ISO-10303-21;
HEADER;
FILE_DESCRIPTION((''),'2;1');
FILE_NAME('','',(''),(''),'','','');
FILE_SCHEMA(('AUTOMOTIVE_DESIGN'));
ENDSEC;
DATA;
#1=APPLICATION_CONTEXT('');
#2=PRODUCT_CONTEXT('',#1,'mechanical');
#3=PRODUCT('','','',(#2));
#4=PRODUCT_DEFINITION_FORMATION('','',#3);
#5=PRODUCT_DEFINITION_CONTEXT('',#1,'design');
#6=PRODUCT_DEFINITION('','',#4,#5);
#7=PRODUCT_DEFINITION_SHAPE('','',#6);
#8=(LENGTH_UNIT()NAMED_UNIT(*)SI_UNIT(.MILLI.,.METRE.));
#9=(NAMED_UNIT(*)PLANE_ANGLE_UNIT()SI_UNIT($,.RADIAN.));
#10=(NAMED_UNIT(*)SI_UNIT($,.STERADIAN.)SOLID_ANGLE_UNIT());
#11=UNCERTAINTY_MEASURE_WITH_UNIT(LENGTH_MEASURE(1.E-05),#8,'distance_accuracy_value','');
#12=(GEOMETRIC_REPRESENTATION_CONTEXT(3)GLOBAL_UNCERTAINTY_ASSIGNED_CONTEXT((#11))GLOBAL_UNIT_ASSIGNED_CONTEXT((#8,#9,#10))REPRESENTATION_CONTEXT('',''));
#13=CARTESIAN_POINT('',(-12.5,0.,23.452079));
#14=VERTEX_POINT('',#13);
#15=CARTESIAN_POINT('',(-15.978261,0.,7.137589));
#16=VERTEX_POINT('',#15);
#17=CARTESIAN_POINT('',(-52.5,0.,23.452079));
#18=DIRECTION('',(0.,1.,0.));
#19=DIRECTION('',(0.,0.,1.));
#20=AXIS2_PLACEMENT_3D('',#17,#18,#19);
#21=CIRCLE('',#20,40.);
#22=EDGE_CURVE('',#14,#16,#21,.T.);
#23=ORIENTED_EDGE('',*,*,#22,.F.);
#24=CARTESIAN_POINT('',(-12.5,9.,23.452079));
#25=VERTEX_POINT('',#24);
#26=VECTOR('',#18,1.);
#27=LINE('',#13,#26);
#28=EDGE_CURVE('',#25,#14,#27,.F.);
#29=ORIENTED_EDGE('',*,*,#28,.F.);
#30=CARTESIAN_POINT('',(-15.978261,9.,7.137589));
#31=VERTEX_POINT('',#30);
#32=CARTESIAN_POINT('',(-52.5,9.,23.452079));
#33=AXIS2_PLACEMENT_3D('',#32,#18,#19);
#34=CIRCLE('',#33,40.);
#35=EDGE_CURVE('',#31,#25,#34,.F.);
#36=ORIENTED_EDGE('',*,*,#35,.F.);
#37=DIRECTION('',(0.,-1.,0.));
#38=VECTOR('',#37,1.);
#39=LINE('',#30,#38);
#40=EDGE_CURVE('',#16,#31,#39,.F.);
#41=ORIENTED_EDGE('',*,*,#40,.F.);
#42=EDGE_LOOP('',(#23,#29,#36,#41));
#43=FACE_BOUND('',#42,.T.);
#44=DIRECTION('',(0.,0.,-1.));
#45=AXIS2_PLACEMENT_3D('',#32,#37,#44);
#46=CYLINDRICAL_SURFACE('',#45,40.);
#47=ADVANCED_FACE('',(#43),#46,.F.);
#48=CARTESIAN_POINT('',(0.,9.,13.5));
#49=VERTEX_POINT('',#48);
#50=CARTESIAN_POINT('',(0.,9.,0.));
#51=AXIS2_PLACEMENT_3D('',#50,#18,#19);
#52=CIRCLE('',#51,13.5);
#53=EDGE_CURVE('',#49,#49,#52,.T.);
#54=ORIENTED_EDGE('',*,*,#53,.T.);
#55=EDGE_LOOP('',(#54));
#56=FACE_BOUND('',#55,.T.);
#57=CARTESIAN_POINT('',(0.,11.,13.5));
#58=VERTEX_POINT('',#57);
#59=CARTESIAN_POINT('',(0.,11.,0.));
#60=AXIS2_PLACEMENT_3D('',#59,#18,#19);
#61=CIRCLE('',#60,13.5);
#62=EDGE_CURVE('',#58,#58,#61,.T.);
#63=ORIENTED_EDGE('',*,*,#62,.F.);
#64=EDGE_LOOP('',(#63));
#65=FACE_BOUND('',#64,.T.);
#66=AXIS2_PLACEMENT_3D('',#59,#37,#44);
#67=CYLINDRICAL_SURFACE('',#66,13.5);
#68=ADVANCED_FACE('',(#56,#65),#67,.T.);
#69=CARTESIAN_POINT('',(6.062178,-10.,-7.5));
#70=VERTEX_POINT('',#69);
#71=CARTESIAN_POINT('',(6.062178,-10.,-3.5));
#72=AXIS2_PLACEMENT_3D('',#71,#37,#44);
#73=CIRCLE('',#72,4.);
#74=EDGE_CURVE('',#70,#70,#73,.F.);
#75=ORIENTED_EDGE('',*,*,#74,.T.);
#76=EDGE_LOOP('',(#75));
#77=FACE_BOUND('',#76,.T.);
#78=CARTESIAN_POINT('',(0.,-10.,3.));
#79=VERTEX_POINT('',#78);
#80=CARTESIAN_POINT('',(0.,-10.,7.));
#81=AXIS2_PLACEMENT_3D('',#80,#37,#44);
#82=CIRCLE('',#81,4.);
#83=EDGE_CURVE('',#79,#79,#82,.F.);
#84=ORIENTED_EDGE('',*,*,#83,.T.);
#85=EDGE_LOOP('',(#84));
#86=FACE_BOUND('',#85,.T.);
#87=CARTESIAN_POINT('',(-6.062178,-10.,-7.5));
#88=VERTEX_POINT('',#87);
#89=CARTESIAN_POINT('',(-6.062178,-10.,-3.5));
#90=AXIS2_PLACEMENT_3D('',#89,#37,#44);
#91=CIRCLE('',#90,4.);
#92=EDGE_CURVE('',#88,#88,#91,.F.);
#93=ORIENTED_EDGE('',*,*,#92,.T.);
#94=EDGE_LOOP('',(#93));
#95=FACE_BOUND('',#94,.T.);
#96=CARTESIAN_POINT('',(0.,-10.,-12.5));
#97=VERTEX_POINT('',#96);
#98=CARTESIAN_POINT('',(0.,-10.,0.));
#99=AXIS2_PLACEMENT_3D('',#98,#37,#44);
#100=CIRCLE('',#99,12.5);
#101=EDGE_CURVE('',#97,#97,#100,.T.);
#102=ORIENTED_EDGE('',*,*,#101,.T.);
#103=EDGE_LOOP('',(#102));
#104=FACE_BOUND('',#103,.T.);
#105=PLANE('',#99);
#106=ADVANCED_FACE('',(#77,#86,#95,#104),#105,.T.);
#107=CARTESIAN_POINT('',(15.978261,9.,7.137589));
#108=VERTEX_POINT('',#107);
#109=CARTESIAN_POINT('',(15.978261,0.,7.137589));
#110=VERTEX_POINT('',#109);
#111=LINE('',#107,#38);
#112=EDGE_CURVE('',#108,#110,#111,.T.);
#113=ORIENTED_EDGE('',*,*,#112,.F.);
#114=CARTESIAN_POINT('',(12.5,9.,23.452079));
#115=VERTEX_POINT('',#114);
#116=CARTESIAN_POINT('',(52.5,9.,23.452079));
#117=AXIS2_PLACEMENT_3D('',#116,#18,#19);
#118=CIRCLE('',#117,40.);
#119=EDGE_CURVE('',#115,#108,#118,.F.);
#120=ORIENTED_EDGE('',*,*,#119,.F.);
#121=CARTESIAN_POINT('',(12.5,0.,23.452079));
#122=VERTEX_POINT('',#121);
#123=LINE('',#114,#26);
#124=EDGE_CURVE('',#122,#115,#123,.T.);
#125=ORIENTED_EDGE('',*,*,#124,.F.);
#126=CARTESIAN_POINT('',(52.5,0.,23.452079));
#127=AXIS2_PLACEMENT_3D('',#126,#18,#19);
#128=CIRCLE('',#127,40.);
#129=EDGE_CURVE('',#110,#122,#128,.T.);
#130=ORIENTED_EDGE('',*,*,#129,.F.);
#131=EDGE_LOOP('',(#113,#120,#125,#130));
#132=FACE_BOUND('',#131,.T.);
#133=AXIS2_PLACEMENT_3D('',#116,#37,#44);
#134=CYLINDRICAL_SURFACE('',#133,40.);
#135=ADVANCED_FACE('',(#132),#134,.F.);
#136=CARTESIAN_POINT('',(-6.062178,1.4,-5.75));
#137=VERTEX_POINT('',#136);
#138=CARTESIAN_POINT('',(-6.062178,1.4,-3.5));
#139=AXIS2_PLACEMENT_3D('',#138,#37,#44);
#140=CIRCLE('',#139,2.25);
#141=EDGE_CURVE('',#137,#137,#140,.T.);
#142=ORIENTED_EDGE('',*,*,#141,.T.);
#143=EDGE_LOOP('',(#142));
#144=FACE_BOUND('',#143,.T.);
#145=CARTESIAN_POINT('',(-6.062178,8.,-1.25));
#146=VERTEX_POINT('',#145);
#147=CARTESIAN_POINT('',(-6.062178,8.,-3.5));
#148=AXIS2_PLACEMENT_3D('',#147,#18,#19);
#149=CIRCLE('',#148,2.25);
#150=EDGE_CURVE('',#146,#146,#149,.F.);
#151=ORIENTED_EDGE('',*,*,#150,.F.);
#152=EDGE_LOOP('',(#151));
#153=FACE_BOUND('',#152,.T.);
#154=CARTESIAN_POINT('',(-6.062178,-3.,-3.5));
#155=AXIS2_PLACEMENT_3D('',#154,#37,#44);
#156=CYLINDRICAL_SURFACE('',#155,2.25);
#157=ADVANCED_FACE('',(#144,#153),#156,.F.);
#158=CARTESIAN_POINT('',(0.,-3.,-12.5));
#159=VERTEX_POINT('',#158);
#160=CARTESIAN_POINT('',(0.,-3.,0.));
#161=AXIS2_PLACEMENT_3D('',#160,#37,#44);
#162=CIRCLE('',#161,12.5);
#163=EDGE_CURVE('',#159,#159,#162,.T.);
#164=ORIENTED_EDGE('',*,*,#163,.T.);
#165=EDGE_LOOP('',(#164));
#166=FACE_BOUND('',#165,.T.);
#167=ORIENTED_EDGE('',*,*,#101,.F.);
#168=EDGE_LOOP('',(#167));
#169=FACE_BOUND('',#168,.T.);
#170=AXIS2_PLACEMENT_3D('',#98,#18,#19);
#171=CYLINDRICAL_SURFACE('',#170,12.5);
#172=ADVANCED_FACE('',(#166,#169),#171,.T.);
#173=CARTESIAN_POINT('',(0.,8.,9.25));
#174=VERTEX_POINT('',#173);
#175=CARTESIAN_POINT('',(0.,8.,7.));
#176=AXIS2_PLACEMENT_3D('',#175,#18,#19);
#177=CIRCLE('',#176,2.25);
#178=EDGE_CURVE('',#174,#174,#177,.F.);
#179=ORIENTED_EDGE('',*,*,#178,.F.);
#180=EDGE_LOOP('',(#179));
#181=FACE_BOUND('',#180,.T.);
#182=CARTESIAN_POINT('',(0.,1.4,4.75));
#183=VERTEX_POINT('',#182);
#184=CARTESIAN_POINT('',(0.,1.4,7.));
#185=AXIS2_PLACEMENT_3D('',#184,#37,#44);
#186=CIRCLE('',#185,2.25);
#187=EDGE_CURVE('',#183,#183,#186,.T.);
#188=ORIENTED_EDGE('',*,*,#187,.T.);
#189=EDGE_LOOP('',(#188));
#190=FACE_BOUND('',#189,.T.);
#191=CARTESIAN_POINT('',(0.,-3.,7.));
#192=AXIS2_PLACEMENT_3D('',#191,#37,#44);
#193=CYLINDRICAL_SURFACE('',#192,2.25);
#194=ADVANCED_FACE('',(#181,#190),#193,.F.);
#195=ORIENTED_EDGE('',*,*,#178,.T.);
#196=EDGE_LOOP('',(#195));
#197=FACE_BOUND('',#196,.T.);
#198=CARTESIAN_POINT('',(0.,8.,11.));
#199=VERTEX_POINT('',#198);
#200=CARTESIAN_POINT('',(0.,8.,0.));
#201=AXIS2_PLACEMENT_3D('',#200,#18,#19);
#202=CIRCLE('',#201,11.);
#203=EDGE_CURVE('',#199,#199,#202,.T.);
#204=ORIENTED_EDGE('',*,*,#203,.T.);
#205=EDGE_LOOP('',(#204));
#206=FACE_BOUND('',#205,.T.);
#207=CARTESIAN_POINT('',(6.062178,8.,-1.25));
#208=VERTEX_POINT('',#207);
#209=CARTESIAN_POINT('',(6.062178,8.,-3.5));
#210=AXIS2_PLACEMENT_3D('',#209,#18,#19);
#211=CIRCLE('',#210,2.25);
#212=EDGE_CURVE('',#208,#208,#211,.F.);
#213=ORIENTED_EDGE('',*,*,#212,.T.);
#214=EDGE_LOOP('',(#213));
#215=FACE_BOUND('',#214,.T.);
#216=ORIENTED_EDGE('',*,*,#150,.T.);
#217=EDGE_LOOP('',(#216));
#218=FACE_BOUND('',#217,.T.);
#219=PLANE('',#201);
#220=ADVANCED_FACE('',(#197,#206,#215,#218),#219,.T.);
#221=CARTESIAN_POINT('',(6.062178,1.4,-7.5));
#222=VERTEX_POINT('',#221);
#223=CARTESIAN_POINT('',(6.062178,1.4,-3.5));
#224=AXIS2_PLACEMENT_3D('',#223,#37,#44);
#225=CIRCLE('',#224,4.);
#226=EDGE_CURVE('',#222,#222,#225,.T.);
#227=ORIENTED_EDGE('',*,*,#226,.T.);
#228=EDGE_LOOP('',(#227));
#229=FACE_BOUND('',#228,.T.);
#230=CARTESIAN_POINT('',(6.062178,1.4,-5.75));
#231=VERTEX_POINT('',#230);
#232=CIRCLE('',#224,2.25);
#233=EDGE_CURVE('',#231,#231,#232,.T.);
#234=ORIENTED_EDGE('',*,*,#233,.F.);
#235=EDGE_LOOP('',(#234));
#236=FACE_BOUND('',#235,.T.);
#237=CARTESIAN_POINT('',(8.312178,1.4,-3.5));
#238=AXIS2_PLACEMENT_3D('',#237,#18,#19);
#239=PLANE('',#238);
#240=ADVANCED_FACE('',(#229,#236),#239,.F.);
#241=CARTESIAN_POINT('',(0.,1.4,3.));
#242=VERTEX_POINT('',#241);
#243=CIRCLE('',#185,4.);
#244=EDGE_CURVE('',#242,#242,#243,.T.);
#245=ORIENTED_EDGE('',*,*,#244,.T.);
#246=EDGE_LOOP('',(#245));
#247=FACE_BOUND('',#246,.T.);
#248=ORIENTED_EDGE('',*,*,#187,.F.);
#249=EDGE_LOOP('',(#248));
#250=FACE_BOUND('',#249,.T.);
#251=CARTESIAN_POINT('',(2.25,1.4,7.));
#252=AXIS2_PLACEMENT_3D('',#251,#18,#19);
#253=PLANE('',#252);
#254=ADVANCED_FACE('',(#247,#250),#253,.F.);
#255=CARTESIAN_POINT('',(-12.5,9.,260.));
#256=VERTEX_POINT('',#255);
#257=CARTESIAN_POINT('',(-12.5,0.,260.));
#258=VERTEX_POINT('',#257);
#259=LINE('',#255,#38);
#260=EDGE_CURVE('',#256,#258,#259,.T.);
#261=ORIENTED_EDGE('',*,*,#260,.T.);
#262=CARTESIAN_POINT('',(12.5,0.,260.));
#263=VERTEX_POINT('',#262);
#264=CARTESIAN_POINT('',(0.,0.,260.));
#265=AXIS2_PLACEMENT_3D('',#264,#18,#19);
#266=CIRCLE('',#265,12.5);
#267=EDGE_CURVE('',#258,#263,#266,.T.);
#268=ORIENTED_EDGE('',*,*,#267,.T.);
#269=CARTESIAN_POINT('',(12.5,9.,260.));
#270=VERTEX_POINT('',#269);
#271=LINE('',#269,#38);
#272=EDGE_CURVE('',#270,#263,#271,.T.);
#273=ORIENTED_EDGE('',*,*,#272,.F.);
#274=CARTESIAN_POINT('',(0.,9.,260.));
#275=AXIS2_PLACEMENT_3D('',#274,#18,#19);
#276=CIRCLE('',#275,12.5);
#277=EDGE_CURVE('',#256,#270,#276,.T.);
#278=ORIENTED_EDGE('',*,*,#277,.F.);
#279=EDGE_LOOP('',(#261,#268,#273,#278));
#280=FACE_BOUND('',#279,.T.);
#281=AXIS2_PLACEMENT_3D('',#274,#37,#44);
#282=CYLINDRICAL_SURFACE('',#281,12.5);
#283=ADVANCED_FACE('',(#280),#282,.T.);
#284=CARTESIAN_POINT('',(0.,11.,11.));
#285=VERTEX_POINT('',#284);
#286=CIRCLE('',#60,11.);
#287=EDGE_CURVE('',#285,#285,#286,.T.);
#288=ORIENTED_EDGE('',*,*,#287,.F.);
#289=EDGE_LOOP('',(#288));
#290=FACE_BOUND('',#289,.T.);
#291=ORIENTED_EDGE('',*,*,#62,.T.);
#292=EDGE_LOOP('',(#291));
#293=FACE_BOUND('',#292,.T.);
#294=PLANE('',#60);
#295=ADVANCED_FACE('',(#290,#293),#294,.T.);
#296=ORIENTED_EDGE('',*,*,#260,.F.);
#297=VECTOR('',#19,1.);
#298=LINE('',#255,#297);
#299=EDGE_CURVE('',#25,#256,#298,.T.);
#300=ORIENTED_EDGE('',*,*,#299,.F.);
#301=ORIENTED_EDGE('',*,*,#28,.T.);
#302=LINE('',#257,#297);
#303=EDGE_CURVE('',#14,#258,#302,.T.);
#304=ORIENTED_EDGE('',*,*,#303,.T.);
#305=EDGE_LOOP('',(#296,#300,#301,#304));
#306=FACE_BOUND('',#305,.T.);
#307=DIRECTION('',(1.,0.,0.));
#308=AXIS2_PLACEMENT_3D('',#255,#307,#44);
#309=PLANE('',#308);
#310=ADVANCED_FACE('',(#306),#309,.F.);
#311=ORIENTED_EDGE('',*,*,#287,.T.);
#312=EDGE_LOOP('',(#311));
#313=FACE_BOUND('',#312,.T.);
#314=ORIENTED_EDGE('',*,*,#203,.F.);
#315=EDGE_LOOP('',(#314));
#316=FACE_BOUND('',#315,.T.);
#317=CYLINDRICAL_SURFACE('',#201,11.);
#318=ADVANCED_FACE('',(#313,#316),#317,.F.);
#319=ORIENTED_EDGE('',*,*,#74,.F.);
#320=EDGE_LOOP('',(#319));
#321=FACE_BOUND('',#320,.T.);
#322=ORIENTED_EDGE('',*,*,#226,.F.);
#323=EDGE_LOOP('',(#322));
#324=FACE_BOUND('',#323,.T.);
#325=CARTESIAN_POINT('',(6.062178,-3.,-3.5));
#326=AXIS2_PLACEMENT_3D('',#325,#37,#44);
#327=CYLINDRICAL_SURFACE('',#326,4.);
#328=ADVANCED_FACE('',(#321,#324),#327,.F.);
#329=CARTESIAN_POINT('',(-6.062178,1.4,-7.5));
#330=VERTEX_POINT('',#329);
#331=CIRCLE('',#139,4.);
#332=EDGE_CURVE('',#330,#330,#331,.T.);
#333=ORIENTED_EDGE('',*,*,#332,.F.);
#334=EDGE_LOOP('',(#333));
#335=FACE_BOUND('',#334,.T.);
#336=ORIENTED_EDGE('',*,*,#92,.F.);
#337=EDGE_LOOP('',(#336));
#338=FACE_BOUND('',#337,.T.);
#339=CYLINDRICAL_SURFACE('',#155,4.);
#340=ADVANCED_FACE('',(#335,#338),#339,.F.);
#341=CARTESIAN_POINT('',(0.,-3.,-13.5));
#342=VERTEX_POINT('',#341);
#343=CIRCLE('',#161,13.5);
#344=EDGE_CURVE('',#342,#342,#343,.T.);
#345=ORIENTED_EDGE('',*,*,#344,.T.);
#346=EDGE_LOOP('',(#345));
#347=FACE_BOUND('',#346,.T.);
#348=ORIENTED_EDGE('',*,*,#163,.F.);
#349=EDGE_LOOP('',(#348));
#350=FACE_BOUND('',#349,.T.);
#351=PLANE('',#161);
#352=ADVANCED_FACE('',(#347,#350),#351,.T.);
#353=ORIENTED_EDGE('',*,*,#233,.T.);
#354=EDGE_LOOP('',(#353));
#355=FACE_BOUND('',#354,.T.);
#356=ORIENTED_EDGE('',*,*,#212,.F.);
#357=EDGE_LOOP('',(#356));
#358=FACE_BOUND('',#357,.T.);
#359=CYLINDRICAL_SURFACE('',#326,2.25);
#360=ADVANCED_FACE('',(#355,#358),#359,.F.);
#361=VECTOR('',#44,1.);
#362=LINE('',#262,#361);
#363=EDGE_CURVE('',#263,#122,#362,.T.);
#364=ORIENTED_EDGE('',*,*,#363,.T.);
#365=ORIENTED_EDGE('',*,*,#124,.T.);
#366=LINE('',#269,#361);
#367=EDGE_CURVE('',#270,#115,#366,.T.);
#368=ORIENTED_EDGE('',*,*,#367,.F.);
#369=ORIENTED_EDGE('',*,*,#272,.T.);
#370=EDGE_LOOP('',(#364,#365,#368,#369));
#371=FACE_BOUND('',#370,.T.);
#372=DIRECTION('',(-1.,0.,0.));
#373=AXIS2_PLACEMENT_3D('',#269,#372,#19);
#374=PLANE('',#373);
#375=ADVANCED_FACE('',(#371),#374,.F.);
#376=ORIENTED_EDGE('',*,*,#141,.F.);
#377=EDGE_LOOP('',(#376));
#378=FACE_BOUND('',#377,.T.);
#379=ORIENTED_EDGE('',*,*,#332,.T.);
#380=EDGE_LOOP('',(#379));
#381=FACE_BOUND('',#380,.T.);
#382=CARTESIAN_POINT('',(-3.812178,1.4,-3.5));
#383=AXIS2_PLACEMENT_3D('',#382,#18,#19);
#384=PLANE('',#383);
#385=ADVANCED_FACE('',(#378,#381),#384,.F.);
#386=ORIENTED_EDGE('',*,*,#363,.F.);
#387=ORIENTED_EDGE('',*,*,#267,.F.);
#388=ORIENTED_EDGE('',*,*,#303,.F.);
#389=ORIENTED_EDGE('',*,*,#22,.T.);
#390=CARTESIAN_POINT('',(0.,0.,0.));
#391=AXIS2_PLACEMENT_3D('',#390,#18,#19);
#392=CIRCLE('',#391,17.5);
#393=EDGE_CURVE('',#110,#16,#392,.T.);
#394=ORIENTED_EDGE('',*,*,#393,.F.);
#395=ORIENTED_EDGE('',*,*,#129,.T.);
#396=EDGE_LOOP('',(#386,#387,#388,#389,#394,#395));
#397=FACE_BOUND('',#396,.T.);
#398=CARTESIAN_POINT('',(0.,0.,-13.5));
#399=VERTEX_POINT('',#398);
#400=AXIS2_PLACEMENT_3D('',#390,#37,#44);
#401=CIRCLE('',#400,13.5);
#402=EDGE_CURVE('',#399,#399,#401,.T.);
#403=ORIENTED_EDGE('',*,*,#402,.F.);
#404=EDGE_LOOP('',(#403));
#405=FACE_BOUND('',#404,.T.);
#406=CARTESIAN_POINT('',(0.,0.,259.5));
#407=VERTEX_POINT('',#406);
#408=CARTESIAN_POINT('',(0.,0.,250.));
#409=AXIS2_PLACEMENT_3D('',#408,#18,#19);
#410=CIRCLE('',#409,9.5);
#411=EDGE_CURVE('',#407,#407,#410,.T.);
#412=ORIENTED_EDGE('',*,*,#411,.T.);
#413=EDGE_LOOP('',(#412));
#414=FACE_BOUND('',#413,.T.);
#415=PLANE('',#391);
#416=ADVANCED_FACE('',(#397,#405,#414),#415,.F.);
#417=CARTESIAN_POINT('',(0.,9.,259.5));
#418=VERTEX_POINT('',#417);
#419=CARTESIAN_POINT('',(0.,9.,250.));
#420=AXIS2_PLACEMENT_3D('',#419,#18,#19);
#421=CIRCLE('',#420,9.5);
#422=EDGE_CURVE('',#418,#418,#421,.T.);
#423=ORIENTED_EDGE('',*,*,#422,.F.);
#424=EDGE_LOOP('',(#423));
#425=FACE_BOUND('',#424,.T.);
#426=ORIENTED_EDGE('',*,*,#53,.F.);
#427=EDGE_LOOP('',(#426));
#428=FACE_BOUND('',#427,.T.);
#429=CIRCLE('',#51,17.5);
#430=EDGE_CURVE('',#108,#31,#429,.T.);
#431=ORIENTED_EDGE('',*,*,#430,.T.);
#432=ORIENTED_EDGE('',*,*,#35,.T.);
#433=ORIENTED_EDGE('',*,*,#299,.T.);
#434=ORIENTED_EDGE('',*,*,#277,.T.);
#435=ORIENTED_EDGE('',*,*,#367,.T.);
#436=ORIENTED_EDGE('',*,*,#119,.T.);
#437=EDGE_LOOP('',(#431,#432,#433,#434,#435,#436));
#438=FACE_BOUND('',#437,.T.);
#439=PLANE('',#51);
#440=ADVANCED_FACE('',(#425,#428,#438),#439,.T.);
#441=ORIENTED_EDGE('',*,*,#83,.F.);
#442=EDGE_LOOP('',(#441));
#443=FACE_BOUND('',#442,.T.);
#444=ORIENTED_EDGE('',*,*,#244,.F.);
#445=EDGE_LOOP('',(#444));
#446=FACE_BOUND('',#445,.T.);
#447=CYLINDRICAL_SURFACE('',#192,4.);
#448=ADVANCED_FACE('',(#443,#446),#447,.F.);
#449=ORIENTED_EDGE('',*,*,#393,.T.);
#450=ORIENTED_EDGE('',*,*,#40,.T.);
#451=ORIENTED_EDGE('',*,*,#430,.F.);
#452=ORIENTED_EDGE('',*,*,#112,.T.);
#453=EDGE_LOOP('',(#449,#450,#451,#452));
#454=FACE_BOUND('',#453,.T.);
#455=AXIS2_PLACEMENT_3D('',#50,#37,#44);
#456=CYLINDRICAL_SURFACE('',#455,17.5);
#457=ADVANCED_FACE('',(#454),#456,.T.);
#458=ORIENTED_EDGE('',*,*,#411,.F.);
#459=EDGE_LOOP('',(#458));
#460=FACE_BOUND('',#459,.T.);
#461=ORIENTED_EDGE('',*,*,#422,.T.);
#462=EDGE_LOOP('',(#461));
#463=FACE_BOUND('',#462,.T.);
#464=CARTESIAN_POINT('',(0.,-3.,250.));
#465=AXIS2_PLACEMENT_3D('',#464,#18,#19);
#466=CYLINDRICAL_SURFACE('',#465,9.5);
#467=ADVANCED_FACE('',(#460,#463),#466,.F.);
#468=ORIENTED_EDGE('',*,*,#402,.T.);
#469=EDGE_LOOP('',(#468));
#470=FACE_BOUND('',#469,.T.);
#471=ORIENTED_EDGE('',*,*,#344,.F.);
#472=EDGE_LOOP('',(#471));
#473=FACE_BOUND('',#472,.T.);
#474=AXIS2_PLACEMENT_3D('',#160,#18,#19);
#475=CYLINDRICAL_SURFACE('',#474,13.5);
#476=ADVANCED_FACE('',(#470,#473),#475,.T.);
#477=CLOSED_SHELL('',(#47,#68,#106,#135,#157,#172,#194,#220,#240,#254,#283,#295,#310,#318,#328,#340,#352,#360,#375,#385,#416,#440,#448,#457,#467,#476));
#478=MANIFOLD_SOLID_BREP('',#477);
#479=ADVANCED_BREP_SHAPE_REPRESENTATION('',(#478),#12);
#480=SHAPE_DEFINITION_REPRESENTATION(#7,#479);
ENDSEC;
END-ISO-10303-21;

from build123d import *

# Parameters (mm, degrees)
EXTRUDE_1_DEPTH              = 9
SKETCH_3_R                   = 13.5
EXTRUDE_2_DEPTH              = 2
EXTRUDE_START                = 3
SKETCH_4_R                   = 13.5
EXTRUDE_3_DEPTH              = 3
SKETCH_5_R                   = 9.5
CUT_EXTRUDE_2_DEPTH          = 274.324898244
HOLE_WIZARD_M4_1_D           = 4.5
HOLE_WIZARD_M4_1_CBORE_D     = 8
HOLE_WIZARD_M4_1_CBORE_DEPTH = 4.4
PATTERN_CIRCULAR_1_COUNT     = 3
EXTRUDE_START_2              = 7
SKETCH_11_R                  = 12.5
SKETCH_11_R_2                = 4
EXTRUDE_4_DEPTH              = 7
SKETCH_13_R                  = 11
CUT_EXTRUDE_3_DEPTH          = 3
FILLET_1_R                   = 40


with BuildPart() as part:
    # 스케치1 → 보스-돌출1 (new body)
    with BuildSketch(Plane(origin=(0, 0, 0), x_dir=(1, 0, 0), z_dir=(0, 1, 0))):
        with BuildLine():
            Line((-12.5, -260), (-12.5, -12.247448714))
            ThreePointArc((-12.5, -12.247448714), (0, 17.5), (12.5, -12.247448714))
            Line((12.5, -12.247448714), (12.5, -260))
            ThreePointArc((12.5, -260), (0, -272.5), (-12.5, -260))
        make_face()
    extrude(amount=EXTRUDE_1_DEPTH)

    # 스케치3 → 보스-돌출2 (add)
    with BuildSketch(Plane(origin=(0, 9, 0), x_dir=(1, 0, 0), z_dir=(0, 1, 0))):
        Circle(SKETCH_3_R)
    extrude(amount=EXTRUDE_2_DEPTH)

    # 스케치4 → 보스-돌출3 (add)
    with BuildSketch(Plane.XZ.offset(EXTRUDE_START)):
        Circle(SKETCH_4_R)
    extrude(amount=-EXTRUDE_3_DEPTH)

    # 스케치5 → 컷-돌출2 (cut, through all)
    with BuildSketch(Plane(origin=(0, 9, 0), x_dir=(1, 0, 0), z_dir=(0, 1, 0))):
        with Locations((0, -250)):
            Circle(SKETCH_5_R)
    extrude(amount=-CUT_EXTRUDE_2_DEPTH, mode=Mode.SUBTRACT)

    # M4 육각 소켓 머리 캡 나사용 카운터보어1 (through all)
    with Locations(Plane(origin=(0, -3, 0), x_dir=(-1, 0, 0), z_dir=(0, -1, 0))):
        with Locations((0, -7)):
            hole_wizard_m4_1 = CounterBoreHole(HOLE_WIZARD_M4_1_D / 2, HOLE_WIZARD_M4_1_CBORE_D / 2, HOLE_WIZARD_M4_1_CBORE_DEPTH)

    # 원형 패턴1: M4 육각 소켓 머리 캡 나사용 카운터보어1 ×3 about axis
    pattern_circular_1_axis = Axis((0, 9, 0), (0, -1, 0))
    for i in range(1, PATTERN_CIRCULAR_1_COUNT):
        add(hole_wizard_m4_1.rotate(pattern_circular_1_axis, i * 360 / PATTERN_CIRCULAR_1_COUNT), mode=Mode.SUBTRACT)

    # 스케치11 → 보스-돌출4 (add)
    with BuildSketch(Plane.XZ.offset(3).offset(EXTRUDE_START_2)):
        Circle(SKETCH_11_R)
        with Locations((-6.062177826, -3.5)):
            Circle(SKETCH_11_R_2, mode=Mode.SUBTRACT)
        with Locations((6.062177826, -3.5)):
            Circle(SKETCH_11_R_2, mode=Mode.SUBTRACT)
        with Locations((0, 7)):
            Circle(SKETCH_11_R_2, mode=Mode.SUBTRACT)
    extrude(amount=-EXTRUDE_4_DEPTH)

    # 스케치13 → 컷-돌출3 (cut)
    with BuildSketch(Plane(origin=(0, 11, 0), x_dir=(1, 0, 0), z_dir=(0, 1, 0))):
        Circle(SKETCH_13_R)
    extrude(amount=-CUT_EXTRUDE_3_DEPTH, mode=Mode.SUBTRACT)

    # 필렛1
    fillet_1_edges = [part.edges().sort_by_distance(p)[0] for p in [
        (12.5, 4.5, 12.247448714),
        (-12.5, 4.5, 12.247448714),
    ]]
    fillet(fillet_1_edges, radius=FILLET_1_R)


solid = part.part
